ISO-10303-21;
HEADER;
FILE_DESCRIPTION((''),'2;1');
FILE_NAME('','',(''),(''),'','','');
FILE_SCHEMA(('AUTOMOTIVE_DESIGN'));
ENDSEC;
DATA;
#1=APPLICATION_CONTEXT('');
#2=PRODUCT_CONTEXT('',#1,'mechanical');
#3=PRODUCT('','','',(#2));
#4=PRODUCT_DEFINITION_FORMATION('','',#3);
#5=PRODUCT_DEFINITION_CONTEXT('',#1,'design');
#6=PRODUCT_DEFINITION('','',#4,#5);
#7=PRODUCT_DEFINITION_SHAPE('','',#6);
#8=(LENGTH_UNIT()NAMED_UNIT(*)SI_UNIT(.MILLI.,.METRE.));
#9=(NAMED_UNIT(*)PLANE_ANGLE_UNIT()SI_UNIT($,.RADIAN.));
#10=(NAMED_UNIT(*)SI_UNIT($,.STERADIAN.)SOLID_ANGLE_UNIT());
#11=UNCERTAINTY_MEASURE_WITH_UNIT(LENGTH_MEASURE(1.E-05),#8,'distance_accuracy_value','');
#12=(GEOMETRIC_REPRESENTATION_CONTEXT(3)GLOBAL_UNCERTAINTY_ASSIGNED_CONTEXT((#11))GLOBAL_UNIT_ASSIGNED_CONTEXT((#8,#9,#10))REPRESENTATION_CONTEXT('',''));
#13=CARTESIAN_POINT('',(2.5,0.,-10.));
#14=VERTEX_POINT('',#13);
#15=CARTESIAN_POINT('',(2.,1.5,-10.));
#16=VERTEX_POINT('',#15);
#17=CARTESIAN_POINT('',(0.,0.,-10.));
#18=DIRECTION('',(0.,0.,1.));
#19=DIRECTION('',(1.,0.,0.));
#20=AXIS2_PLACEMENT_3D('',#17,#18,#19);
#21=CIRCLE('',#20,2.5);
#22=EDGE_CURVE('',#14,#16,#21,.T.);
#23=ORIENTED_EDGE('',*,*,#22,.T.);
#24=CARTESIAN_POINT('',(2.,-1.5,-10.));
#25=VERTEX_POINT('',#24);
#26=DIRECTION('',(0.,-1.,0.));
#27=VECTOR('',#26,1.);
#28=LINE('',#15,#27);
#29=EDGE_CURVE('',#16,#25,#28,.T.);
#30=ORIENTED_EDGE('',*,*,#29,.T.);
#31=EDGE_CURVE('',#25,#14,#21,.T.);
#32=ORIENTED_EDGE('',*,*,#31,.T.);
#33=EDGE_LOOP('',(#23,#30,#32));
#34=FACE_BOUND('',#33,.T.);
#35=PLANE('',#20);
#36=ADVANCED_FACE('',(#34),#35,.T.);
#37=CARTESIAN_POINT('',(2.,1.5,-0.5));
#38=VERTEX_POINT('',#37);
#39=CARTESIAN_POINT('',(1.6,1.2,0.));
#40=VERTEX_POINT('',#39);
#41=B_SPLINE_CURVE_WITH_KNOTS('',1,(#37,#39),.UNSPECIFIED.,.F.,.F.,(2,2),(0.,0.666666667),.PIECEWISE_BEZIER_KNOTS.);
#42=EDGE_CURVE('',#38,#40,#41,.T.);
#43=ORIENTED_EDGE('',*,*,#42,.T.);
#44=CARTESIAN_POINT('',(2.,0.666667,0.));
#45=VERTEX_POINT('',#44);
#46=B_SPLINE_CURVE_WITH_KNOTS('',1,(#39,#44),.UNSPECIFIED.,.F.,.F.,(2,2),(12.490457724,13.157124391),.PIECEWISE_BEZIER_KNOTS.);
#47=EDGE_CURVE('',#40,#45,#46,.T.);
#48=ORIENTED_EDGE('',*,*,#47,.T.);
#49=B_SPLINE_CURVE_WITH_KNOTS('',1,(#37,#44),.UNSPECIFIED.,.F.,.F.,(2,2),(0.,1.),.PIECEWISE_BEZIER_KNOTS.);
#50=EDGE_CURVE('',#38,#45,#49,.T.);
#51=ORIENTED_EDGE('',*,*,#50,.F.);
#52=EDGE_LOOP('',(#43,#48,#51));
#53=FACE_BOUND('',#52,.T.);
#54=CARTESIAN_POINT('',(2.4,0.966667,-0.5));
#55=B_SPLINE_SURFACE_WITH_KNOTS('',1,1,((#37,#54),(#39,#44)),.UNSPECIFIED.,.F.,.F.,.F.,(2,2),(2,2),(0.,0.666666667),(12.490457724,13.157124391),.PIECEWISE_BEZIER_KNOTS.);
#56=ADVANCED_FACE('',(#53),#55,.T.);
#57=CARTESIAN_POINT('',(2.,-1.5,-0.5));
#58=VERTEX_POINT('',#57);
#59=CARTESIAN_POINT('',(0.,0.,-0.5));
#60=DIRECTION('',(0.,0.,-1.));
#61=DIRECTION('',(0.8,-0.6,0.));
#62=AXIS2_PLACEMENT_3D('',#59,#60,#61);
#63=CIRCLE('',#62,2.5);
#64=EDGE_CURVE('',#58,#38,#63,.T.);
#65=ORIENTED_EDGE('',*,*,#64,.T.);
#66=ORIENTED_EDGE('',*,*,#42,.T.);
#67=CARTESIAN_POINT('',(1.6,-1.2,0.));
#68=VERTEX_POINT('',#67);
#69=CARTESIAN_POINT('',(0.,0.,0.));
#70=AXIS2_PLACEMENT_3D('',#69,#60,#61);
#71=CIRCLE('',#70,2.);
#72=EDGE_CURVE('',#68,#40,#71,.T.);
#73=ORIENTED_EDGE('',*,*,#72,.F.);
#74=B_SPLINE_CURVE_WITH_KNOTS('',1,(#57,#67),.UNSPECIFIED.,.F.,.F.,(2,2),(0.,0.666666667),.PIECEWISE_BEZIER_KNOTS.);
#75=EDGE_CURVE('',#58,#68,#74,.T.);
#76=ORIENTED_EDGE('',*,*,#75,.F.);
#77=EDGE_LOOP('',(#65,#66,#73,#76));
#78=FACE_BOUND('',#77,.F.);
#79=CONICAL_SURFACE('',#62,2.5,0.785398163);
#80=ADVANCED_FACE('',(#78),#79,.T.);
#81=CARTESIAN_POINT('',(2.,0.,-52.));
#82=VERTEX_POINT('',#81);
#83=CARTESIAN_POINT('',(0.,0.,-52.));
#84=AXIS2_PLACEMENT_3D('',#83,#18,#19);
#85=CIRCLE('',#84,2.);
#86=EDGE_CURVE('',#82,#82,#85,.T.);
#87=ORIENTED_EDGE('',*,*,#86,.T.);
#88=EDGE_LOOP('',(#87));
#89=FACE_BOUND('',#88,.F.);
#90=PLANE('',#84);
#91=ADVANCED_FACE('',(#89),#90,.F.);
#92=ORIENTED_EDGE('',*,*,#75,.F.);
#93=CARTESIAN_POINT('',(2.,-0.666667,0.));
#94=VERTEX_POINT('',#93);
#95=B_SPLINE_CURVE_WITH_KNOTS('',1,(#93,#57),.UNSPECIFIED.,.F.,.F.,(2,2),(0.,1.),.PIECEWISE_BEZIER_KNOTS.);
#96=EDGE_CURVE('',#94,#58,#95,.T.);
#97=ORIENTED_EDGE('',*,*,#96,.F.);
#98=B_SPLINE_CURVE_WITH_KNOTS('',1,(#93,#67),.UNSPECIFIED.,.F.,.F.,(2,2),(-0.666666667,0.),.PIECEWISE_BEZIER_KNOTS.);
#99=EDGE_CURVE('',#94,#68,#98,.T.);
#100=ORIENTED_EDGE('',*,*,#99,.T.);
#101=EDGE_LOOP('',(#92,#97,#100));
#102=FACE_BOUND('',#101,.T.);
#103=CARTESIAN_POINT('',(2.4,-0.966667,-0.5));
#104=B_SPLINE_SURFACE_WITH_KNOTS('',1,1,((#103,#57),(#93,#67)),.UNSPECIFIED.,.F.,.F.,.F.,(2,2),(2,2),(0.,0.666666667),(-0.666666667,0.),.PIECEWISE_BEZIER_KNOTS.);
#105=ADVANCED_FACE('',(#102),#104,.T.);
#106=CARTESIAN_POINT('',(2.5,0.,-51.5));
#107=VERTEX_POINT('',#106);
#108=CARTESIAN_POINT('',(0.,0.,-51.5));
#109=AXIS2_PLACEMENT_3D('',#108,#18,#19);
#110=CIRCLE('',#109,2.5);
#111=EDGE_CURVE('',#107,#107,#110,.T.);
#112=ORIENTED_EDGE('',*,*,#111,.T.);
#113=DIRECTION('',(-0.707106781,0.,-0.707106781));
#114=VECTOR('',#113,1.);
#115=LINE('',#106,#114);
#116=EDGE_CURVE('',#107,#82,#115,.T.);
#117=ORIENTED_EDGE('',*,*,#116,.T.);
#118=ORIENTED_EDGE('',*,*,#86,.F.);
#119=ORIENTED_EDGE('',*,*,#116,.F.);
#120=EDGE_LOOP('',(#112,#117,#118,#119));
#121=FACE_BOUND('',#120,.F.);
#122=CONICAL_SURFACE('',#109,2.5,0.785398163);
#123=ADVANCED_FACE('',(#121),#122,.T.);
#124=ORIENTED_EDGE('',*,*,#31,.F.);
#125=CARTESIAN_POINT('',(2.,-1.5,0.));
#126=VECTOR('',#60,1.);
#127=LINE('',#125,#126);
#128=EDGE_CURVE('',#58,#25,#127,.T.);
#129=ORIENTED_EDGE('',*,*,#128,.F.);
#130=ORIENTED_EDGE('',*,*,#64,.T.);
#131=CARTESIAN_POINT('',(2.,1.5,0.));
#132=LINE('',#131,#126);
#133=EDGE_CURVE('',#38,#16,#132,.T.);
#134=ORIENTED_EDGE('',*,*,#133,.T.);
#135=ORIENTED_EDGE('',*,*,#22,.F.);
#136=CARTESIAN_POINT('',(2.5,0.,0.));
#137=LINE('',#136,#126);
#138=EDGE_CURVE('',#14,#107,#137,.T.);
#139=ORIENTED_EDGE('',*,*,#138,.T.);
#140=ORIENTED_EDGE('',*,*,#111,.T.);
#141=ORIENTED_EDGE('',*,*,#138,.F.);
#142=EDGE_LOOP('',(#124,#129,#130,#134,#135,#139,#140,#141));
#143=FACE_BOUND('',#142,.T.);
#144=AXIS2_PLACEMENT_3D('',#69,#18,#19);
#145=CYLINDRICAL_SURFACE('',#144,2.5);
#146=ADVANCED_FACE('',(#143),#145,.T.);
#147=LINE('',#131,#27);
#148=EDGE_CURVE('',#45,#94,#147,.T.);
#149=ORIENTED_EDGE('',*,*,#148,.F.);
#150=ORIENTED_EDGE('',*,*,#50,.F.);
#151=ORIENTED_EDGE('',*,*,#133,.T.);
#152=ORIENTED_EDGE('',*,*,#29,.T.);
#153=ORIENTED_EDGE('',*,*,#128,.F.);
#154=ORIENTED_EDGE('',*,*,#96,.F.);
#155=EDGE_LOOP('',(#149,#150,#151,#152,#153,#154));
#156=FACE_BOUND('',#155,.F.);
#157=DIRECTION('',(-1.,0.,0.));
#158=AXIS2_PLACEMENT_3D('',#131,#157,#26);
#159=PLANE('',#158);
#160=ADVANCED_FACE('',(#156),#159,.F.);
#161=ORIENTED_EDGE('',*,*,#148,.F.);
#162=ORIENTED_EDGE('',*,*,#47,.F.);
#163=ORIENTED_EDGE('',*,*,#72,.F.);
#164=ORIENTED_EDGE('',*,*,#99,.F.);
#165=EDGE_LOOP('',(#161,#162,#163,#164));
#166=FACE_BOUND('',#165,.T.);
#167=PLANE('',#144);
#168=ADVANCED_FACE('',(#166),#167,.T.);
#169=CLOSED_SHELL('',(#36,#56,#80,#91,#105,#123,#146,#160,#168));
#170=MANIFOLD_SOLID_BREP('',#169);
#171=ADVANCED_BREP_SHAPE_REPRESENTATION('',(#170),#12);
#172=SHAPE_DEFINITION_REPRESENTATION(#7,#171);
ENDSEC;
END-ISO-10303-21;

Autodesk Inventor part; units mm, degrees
ref_plane "YZ Plane" through (0, 0, 0) normal (1, 0, 0) x (0, 1, 0)
ref_plane "XZ Plane" through (0, 0, 0) normal (0, 1, 0) x (-1, 0, 0)
ref_plane "XY Plane" through (0, 0, 0) normal (0, 0, 1) x (1, 0, 0)
sketch "Sketch1" plane through (0, 0, 0) normal (0, 0, 1) x (1, 0, 0)
  circle A0 centre (0, 0) radius 2.5
  line L0 (2, 1.5) -> (2, -1.5)
  dimension "d0" = 5
  dimension "d1" = 2
extrude "Extrusion1" add sketch "Sketch1" against normal blind 52
extrude "Extrusion2" cut sketch "Sketch1" against normal blind 10 contours A0 L0 picked at (2.0912, -0.3466)
chamfer "Chamfer1" distance 0.5 angle 45 2 edges at (-2.5, 0, 0) (-2.5, 0, -52)
properties part number "Flywheelshaft"
